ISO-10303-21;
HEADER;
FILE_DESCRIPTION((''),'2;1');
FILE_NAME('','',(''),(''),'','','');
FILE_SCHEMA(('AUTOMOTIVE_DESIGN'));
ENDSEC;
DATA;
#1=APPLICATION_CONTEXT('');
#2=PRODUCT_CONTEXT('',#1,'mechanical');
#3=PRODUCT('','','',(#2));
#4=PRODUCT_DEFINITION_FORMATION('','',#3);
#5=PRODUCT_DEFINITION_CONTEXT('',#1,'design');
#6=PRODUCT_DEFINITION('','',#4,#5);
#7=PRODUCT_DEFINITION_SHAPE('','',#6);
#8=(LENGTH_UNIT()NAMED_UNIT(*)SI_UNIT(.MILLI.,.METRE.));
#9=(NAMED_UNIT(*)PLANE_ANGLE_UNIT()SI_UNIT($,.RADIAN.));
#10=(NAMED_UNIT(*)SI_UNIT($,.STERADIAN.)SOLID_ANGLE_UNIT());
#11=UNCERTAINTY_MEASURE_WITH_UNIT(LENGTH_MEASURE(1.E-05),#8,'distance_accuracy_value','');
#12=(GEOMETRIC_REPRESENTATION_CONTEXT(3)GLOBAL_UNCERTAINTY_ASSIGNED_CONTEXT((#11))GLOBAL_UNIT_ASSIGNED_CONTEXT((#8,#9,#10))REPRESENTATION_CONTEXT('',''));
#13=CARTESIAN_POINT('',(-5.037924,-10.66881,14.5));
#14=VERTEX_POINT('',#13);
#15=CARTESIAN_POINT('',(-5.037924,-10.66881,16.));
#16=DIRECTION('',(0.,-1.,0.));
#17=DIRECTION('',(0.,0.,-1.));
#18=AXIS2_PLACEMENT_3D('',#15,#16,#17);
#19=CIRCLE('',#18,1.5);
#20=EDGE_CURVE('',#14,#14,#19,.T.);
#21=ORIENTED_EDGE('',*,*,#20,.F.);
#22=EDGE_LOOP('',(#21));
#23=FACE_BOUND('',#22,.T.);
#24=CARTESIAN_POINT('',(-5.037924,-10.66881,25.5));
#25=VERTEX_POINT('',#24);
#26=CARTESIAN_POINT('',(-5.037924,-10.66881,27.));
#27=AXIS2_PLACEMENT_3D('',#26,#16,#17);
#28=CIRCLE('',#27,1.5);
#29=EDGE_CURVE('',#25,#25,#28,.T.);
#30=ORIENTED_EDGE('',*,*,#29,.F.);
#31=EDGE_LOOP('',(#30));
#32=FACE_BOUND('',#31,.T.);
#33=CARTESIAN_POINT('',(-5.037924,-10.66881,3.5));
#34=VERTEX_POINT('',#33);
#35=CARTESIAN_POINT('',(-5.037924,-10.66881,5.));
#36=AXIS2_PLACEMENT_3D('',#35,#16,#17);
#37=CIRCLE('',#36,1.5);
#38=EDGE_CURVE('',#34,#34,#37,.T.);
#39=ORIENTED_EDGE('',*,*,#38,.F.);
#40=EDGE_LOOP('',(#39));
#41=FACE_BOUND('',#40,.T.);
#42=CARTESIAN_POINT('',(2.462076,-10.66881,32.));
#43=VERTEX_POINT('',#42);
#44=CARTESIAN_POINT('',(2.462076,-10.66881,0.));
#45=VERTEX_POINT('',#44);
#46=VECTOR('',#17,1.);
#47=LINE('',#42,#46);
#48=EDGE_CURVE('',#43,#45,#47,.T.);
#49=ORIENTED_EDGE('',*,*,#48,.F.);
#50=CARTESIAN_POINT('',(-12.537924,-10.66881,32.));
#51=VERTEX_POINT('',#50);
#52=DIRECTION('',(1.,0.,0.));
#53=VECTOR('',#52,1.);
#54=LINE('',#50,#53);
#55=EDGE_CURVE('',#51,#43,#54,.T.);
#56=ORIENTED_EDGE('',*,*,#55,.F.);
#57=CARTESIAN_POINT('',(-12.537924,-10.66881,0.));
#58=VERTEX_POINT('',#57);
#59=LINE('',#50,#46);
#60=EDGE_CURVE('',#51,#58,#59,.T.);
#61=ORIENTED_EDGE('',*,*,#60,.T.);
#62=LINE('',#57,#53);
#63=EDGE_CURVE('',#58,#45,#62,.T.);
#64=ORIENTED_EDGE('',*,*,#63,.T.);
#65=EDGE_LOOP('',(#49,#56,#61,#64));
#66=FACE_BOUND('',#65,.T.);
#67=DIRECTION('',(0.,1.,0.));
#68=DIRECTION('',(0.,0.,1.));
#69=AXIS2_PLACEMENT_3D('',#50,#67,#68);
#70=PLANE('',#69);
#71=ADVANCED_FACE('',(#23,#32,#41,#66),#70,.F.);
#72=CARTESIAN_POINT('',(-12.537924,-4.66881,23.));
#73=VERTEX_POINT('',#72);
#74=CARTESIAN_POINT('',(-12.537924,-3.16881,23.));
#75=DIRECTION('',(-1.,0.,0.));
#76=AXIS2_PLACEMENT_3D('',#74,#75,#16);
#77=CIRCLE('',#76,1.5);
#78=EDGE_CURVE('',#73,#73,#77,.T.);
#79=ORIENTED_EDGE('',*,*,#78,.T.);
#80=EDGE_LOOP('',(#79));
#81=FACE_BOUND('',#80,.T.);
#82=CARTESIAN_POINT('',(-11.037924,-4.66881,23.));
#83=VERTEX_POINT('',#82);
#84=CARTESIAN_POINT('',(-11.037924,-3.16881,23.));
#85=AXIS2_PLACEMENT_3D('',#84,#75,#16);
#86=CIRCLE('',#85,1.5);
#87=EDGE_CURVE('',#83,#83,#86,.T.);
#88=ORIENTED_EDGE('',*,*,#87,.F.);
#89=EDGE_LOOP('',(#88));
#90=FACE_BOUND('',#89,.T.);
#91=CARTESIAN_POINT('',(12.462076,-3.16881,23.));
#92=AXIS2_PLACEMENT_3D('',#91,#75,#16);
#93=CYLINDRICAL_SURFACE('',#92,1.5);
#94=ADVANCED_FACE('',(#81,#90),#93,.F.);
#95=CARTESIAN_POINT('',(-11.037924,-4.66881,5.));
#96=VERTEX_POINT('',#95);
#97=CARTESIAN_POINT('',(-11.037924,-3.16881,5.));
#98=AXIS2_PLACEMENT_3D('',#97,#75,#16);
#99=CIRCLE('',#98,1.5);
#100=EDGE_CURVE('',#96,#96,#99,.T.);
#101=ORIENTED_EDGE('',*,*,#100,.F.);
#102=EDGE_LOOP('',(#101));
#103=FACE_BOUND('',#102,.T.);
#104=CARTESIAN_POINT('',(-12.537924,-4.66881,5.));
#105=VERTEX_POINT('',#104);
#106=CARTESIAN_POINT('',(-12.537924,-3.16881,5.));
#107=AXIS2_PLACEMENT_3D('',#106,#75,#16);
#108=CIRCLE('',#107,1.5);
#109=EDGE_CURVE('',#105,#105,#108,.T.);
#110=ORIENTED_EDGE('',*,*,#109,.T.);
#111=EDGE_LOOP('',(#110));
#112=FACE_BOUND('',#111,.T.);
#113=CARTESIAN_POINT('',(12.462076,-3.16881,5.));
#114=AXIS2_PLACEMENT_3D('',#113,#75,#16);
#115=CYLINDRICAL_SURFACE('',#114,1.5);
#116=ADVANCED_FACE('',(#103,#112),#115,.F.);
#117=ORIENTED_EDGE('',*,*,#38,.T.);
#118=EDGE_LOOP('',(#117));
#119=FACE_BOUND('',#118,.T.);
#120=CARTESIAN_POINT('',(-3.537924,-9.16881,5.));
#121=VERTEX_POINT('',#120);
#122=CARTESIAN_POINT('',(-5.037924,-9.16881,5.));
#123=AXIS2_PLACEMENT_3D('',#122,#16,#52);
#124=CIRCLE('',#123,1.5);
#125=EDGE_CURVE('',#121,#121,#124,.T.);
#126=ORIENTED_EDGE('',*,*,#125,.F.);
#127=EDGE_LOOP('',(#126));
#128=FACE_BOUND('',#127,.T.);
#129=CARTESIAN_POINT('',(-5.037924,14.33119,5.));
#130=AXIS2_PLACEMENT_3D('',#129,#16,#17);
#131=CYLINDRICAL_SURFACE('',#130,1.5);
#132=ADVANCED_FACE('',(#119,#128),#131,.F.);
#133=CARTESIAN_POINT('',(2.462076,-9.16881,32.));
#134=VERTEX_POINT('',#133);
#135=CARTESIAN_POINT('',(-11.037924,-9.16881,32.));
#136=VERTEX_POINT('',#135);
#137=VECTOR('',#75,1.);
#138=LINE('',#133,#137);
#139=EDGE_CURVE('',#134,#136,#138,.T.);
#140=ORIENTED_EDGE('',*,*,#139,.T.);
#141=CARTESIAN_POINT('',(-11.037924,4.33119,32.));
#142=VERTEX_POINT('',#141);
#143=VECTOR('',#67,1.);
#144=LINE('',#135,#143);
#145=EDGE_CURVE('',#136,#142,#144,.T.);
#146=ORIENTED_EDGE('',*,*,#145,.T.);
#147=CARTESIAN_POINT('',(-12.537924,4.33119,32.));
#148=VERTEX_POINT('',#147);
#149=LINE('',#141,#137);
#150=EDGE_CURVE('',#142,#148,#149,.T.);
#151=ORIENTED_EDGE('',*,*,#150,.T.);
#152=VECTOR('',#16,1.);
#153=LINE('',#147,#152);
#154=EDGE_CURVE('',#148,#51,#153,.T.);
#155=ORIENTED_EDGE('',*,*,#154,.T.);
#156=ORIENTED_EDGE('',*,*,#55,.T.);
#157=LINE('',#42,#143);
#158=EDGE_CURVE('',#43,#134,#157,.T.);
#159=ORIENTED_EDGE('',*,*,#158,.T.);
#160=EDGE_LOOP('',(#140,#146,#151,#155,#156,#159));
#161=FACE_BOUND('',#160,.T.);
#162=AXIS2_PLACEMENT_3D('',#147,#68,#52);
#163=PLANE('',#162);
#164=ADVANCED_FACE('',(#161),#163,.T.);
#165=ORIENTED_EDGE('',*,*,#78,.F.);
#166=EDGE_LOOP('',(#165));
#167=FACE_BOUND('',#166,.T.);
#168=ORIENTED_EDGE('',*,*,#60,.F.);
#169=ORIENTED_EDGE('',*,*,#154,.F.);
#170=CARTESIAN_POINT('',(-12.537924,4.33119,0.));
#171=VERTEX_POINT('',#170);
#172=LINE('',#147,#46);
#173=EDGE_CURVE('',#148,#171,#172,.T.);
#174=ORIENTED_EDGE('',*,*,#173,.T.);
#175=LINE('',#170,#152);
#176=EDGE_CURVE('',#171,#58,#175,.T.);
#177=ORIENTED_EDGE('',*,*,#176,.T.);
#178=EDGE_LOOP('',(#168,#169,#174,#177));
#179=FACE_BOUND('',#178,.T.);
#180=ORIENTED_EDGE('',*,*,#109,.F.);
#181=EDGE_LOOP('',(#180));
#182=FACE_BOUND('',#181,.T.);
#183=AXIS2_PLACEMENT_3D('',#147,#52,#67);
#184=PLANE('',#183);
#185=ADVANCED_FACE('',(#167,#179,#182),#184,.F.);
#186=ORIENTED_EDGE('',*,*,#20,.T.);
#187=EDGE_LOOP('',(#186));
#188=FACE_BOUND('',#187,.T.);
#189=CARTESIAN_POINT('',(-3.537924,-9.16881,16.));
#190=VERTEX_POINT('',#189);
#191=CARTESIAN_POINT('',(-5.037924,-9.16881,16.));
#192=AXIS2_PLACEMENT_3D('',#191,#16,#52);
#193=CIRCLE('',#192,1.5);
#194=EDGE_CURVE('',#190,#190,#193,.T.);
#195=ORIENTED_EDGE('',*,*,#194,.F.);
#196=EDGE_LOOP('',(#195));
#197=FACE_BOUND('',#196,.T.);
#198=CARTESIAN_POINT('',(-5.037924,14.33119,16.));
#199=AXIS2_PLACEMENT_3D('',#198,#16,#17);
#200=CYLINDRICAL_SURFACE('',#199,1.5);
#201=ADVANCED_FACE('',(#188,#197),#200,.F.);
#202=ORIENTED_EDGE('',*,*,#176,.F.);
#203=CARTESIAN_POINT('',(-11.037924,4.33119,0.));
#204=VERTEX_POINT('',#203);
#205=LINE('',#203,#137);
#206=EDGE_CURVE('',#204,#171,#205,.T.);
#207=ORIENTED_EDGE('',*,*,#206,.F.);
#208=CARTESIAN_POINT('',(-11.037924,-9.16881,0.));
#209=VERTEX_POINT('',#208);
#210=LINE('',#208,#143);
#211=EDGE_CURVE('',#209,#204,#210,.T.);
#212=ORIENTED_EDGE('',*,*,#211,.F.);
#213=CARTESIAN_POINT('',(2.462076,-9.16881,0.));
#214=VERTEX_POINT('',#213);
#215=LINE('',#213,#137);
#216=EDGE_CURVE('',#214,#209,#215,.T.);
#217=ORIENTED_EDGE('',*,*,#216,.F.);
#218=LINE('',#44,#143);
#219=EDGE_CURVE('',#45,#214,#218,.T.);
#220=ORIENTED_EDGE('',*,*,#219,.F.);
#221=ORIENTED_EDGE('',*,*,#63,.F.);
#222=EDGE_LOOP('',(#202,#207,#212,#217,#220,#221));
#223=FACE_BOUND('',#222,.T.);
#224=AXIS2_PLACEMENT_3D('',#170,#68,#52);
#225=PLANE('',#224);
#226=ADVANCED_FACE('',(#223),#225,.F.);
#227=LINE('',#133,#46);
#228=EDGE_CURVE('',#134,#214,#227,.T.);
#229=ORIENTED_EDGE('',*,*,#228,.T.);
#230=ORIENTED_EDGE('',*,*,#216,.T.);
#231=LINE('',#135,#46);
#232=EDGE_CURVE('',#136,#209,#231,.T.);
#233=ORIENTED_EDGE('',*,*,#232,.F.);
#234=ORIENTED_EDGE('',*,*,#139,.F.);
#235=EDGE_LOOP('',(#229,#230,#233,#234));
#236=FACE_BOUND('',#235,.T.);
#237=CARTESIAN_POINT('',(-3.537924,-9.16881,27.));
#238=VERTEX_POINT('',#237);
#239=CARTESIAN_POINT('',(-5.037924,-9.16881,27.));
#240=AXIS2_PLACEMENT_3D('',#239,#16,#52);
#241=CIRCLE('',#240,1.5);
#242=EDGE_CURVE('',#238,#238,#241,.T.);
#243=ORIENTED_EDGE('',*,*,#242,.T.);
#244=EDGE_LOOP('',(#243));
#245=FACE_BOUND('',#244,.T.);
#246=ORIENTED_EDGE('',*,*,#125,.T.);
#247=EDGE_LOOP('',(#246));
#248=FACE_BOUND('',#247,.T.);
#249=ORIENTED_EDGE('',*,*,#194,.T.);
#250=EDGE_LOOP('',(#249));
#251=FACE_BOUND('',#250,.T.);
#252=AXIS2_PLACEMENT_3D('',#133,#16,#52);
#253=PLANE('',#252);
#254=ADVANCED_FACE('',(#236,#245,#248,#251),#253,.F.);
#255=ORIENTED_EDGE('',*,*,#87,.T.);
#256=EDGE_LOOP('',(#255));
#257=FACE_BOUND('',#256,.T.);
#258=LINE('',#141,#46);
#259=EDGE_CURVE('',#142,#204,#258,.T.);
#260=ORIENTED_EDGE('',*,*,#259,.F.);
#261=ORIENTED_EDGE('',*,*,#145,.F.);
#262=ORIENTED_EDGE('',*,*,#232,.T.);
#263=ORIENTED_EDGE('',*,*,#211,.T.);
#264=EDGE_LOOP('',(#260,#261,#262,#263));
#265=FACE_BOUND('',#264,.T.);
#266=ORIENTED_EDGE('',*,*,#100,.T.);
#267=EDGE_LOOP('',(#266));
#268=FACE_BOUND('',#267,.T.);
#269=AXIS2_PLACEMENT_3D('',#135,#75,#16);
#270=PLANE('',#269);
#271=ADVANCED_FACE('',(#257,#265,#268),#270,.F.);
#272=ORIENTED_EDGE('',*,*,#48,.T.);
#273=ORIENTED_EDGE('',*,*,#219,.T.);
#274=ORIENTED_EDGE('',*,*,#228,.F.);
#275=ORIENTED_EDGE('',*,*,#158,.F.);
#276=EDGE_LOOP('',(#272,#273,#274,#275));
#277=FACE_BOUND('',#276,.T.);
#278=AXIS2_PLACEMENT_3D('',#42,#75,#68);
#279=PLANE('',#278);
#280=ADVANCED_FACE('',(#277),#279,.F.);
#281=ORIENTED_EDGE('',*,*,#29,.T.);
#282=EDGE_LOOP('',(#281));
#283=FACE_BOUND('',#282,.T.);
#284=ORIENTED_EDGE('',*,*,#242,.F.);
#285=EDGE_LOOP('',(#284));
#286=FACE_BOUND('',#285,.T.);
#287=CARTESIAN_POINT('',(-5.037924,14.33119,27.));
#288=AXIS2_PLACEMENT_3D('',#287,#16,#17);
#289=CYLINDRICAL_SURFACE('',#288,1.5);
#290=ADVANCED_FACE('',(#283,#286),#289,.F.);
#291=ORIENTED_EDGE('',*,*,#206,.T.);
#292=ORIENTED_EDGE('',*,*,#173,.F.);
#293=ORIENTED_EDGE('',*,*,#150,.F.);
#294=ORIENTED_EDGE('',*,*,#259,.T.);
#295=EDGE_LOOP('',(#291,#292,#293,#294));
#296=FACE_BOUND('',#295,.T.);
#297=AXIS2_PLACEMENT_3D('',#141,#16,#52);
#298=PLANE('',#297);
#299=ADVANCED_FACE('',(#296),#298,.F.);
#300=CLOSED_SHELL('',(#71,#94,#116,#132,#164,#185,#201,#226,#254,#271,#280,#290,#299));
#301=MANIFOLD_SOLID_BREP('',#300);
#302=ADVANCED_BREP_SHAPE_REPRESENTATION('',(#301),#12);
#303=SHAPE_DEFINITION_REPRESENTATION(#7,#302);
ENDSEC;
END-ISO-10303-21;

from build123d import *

# Parameters (mm, degrees)
EXTRUSION1_DEPTH = 32
ESQUISSE2_R      = 1.5
EXTRUSION2_DEPTH = 25
ESQUISSE3_R      = 1.5
EXTRUSION3_DEPTH = 25


with BuildPart() as part:
    # Esquisse1 → Extrusion1 (new body)
    with BuildSketch(Plane.XY):
        Polygon((-12.537924369, 4.331190223), (-12.537924369, -10.668809777), (2.462075631, -10.668809777), (2.462075631, -9.168809777), (-11.037924369, -9.168809777), (-11.037924369, 4.331190223), align=None)
    extrude(amount=EXTRUSION1_DEPTH)

    # Esquisse2 → Extrusion2 (cut)
    with BuildSketch(Plane.ZY.offset(12.537924369)):
        with Locations(Location((23, -3.168809777, 0), (0, 0, 270))):
            Circle(ESQUISSE2_R)
        with Locations(Location((5, -3.168809777, 0), (0, 0, 270))):
            Circle(ESQUISSE2_R)
    extrude(amount=-EXTRUSION2_DEPTH, mode=Mode.SUBTRACT)

    # Esquisse3 → Extrusion3 (cut)
    with BuildSketch(Plane.XZ.offset(10.668809777)):
        with Locations(Location((-5.037924369, 5, 0), (0, 0, 270))):
            Circle(ESQUISSE3_R)
        with Locations(Location((-5.037924369, 27, 0), (0, 0, 270))):
            Circle(ESQUISSE3_R)
        with Locations(Location((-5.037924369, 16, 0), (0, 0, 270))):
            Circle(ESQUISSE3_R)
    extrude(amount=-EXTRUSION3_DEPTH, mode=Mode.SUBTRACT)


solid = part.part
